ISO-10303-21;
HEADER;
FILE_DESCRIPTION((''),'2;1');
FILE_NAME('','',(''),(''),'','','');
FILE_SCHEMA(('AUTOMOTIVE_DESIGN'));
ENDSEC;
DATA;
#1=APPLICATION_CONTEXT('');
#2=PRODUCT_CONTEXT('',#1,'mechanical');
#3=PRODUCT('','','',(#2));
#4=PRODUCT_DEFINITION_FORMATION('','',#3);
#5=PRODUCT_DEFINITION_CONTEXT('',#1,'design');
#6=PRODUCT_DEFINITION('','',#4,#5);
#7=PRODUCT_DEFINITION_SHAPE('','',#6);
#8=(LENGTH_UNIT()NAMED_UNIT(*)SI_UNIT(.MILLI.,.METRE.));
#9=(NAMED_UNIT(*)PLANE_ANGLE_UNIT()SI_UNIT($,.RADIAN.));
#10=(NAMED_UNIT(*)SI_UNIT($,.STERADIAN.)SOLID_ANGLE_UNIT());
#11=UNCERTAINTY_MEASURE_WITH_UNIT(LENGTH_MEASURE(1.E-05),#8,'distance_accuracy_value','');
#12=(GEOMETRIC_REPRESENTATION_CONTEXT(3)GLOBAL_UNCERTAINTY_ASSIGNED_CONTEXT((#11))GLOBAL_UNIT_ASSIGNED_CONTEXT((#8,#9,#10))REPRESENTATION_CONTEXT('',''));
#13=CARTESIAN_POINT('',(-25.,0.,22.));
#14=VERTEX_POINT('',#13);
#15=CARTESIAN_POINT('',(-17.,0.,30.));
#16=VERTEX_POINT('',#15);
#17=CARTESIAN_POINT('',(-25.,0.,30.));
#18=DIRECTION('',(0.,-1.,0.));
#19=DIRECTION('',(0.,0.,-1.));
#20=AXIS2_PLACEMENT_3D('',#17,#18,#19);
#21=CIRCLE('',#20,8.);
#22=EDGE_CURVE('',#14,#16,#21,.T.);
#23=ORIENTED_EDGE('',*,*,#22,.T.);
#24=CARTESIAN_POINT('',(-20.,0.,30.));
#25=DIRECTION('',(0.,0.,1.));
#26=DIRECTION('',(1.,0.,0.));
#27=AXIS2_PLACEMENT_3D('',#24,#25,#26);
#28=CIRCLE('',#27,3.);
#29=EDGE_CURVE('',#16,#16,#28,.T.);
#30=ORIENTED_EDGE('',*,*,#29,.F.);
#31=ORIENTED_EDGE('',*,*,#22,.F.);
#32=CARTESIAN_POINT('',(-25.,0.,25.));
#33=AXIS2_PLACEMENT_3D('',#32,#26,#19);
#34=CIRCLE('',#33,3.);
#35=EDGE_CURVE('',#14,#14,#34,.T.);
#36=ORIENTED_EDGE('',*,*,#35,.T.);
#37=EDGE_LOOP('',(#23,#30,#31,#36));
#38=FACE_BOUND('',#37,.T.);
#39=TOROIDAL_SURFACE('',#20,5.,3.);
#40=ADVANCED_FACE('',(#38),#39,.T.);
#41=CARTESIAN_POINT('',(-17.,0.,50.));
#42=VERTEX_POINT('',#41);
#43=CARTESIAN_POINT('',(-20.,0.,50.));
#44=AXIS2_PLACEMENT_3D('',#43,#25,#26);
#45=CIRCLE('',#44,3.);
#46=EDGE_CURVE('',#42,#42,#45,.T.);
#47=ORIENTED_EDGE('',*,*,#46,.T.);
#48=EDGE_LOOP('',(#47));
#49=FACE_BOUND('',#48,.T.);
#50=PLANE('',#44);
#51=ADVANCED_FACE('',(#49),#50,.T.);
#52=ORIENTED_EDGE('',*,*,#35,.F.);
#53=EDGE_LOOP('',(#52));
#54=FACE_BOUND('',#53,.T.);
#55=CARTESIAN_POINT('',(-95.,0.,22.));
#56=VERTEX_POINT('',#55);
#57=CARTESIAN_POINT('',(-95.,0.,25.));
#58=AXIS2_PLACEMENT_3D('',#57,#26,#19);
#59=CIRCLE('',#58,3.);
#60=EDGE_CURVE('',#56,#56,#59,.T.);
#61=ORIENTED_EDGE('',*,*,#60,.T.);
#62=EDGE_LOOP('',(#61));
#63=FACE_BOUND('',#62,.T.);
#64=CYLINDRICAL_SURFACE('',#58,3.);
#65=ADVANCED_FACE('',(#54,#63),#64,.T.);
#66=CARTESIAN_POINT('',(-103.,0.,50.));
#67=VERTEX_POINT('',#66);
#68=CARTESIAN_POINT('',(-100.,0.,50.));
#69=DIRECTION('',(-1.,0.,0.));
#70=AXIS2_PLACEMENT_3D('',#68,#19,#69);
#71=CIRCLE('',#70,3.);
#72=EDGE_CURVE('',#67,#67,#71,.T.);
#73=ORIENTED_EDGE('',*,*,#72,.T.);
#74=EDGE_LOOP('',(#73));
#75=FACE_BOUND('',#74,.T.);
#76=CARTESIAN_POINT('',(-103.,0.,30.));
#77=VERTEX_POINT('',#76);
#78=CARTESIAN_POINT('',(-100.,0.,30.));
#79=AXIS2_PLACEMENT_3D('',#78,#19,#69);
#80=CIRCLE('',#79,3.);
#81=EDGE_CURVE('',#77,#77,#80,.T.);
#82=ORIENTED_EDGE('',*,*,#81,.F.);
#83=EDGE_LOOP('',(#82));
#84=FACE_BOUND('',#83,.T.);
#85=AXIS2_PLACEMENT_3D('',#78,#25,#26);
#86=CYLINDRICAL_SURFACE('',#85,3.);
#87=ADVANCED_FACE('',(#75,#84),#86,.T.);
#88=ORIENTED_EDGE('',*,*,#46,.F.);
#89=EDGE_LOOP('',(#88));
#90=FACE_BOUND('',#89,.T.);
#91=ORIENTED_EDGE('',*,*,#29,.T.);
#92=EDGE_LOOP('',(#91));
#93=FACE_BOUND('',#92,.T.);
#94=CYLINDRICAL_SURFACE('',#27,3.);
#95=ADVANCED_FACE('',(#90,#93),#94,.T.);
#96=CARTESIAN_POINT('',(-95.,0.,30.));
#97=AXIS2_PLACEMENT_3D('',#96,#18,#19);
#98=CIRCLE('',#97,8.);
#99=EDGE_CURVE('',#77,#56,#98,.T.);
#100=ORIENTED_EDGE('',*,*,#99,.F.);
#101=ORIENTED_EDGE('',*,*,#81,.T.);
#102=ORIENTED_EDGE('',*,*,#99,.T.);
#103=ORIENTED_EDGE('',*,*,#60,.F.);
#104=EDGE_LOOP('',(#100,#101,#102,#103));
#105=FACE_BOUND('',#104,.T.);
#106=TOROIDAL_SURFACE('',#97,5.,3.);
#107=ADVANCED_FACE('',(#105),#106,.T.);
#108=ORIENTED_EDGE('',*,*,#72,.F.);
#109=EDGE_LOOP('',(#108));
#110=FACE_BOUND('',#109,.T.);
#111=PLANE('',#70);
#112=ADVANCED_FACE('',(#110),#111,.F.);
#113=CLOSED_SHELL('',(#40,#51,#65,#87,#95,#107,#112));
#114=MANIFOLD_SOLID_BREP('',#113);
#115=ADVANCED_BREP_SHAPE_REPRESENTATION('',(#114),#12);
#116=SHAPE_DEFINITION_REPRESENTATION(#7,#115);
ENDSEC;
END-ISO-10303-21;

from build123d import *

# Parameters (mm, degrees)
SZKIC3_R = 3


with BuildPart() as part:
    # Wyciągnięcie po ścieżce4: sweep along a path in Szkic1
    with BuildLine(Plane(origin=(0, 0, 0), x_dir=(1, 0, 0), z_dir=(0, 1, 0))) as wyci_gni_cie_po_cie_ce4_path:
        Line((-100, -50), (-100, -30))
        ThreePointArc((-100, -30), (-98.535533906, -26.464466094), (-95, -25))
        Line((-95, -25), (-25, -25))
        ThreePointArc((-25, -25), (-21.464466094, -26.464466094), (-20, -30))
        Line((-20, -30), (-20, -50))
    # Szkic3 → Wyciągnięcie po ścieżce4 (sweep)
    with BuildSketch(Plane(origin=(-100, 0, 50), x_dir=(-1, 0, 0), z_dir=(0, 0, -1))):
        Circle(SZKIC3_R)
    sweep(path=wyci_gni_cie_po_cie_ce4_path.line)


solid = part.part
